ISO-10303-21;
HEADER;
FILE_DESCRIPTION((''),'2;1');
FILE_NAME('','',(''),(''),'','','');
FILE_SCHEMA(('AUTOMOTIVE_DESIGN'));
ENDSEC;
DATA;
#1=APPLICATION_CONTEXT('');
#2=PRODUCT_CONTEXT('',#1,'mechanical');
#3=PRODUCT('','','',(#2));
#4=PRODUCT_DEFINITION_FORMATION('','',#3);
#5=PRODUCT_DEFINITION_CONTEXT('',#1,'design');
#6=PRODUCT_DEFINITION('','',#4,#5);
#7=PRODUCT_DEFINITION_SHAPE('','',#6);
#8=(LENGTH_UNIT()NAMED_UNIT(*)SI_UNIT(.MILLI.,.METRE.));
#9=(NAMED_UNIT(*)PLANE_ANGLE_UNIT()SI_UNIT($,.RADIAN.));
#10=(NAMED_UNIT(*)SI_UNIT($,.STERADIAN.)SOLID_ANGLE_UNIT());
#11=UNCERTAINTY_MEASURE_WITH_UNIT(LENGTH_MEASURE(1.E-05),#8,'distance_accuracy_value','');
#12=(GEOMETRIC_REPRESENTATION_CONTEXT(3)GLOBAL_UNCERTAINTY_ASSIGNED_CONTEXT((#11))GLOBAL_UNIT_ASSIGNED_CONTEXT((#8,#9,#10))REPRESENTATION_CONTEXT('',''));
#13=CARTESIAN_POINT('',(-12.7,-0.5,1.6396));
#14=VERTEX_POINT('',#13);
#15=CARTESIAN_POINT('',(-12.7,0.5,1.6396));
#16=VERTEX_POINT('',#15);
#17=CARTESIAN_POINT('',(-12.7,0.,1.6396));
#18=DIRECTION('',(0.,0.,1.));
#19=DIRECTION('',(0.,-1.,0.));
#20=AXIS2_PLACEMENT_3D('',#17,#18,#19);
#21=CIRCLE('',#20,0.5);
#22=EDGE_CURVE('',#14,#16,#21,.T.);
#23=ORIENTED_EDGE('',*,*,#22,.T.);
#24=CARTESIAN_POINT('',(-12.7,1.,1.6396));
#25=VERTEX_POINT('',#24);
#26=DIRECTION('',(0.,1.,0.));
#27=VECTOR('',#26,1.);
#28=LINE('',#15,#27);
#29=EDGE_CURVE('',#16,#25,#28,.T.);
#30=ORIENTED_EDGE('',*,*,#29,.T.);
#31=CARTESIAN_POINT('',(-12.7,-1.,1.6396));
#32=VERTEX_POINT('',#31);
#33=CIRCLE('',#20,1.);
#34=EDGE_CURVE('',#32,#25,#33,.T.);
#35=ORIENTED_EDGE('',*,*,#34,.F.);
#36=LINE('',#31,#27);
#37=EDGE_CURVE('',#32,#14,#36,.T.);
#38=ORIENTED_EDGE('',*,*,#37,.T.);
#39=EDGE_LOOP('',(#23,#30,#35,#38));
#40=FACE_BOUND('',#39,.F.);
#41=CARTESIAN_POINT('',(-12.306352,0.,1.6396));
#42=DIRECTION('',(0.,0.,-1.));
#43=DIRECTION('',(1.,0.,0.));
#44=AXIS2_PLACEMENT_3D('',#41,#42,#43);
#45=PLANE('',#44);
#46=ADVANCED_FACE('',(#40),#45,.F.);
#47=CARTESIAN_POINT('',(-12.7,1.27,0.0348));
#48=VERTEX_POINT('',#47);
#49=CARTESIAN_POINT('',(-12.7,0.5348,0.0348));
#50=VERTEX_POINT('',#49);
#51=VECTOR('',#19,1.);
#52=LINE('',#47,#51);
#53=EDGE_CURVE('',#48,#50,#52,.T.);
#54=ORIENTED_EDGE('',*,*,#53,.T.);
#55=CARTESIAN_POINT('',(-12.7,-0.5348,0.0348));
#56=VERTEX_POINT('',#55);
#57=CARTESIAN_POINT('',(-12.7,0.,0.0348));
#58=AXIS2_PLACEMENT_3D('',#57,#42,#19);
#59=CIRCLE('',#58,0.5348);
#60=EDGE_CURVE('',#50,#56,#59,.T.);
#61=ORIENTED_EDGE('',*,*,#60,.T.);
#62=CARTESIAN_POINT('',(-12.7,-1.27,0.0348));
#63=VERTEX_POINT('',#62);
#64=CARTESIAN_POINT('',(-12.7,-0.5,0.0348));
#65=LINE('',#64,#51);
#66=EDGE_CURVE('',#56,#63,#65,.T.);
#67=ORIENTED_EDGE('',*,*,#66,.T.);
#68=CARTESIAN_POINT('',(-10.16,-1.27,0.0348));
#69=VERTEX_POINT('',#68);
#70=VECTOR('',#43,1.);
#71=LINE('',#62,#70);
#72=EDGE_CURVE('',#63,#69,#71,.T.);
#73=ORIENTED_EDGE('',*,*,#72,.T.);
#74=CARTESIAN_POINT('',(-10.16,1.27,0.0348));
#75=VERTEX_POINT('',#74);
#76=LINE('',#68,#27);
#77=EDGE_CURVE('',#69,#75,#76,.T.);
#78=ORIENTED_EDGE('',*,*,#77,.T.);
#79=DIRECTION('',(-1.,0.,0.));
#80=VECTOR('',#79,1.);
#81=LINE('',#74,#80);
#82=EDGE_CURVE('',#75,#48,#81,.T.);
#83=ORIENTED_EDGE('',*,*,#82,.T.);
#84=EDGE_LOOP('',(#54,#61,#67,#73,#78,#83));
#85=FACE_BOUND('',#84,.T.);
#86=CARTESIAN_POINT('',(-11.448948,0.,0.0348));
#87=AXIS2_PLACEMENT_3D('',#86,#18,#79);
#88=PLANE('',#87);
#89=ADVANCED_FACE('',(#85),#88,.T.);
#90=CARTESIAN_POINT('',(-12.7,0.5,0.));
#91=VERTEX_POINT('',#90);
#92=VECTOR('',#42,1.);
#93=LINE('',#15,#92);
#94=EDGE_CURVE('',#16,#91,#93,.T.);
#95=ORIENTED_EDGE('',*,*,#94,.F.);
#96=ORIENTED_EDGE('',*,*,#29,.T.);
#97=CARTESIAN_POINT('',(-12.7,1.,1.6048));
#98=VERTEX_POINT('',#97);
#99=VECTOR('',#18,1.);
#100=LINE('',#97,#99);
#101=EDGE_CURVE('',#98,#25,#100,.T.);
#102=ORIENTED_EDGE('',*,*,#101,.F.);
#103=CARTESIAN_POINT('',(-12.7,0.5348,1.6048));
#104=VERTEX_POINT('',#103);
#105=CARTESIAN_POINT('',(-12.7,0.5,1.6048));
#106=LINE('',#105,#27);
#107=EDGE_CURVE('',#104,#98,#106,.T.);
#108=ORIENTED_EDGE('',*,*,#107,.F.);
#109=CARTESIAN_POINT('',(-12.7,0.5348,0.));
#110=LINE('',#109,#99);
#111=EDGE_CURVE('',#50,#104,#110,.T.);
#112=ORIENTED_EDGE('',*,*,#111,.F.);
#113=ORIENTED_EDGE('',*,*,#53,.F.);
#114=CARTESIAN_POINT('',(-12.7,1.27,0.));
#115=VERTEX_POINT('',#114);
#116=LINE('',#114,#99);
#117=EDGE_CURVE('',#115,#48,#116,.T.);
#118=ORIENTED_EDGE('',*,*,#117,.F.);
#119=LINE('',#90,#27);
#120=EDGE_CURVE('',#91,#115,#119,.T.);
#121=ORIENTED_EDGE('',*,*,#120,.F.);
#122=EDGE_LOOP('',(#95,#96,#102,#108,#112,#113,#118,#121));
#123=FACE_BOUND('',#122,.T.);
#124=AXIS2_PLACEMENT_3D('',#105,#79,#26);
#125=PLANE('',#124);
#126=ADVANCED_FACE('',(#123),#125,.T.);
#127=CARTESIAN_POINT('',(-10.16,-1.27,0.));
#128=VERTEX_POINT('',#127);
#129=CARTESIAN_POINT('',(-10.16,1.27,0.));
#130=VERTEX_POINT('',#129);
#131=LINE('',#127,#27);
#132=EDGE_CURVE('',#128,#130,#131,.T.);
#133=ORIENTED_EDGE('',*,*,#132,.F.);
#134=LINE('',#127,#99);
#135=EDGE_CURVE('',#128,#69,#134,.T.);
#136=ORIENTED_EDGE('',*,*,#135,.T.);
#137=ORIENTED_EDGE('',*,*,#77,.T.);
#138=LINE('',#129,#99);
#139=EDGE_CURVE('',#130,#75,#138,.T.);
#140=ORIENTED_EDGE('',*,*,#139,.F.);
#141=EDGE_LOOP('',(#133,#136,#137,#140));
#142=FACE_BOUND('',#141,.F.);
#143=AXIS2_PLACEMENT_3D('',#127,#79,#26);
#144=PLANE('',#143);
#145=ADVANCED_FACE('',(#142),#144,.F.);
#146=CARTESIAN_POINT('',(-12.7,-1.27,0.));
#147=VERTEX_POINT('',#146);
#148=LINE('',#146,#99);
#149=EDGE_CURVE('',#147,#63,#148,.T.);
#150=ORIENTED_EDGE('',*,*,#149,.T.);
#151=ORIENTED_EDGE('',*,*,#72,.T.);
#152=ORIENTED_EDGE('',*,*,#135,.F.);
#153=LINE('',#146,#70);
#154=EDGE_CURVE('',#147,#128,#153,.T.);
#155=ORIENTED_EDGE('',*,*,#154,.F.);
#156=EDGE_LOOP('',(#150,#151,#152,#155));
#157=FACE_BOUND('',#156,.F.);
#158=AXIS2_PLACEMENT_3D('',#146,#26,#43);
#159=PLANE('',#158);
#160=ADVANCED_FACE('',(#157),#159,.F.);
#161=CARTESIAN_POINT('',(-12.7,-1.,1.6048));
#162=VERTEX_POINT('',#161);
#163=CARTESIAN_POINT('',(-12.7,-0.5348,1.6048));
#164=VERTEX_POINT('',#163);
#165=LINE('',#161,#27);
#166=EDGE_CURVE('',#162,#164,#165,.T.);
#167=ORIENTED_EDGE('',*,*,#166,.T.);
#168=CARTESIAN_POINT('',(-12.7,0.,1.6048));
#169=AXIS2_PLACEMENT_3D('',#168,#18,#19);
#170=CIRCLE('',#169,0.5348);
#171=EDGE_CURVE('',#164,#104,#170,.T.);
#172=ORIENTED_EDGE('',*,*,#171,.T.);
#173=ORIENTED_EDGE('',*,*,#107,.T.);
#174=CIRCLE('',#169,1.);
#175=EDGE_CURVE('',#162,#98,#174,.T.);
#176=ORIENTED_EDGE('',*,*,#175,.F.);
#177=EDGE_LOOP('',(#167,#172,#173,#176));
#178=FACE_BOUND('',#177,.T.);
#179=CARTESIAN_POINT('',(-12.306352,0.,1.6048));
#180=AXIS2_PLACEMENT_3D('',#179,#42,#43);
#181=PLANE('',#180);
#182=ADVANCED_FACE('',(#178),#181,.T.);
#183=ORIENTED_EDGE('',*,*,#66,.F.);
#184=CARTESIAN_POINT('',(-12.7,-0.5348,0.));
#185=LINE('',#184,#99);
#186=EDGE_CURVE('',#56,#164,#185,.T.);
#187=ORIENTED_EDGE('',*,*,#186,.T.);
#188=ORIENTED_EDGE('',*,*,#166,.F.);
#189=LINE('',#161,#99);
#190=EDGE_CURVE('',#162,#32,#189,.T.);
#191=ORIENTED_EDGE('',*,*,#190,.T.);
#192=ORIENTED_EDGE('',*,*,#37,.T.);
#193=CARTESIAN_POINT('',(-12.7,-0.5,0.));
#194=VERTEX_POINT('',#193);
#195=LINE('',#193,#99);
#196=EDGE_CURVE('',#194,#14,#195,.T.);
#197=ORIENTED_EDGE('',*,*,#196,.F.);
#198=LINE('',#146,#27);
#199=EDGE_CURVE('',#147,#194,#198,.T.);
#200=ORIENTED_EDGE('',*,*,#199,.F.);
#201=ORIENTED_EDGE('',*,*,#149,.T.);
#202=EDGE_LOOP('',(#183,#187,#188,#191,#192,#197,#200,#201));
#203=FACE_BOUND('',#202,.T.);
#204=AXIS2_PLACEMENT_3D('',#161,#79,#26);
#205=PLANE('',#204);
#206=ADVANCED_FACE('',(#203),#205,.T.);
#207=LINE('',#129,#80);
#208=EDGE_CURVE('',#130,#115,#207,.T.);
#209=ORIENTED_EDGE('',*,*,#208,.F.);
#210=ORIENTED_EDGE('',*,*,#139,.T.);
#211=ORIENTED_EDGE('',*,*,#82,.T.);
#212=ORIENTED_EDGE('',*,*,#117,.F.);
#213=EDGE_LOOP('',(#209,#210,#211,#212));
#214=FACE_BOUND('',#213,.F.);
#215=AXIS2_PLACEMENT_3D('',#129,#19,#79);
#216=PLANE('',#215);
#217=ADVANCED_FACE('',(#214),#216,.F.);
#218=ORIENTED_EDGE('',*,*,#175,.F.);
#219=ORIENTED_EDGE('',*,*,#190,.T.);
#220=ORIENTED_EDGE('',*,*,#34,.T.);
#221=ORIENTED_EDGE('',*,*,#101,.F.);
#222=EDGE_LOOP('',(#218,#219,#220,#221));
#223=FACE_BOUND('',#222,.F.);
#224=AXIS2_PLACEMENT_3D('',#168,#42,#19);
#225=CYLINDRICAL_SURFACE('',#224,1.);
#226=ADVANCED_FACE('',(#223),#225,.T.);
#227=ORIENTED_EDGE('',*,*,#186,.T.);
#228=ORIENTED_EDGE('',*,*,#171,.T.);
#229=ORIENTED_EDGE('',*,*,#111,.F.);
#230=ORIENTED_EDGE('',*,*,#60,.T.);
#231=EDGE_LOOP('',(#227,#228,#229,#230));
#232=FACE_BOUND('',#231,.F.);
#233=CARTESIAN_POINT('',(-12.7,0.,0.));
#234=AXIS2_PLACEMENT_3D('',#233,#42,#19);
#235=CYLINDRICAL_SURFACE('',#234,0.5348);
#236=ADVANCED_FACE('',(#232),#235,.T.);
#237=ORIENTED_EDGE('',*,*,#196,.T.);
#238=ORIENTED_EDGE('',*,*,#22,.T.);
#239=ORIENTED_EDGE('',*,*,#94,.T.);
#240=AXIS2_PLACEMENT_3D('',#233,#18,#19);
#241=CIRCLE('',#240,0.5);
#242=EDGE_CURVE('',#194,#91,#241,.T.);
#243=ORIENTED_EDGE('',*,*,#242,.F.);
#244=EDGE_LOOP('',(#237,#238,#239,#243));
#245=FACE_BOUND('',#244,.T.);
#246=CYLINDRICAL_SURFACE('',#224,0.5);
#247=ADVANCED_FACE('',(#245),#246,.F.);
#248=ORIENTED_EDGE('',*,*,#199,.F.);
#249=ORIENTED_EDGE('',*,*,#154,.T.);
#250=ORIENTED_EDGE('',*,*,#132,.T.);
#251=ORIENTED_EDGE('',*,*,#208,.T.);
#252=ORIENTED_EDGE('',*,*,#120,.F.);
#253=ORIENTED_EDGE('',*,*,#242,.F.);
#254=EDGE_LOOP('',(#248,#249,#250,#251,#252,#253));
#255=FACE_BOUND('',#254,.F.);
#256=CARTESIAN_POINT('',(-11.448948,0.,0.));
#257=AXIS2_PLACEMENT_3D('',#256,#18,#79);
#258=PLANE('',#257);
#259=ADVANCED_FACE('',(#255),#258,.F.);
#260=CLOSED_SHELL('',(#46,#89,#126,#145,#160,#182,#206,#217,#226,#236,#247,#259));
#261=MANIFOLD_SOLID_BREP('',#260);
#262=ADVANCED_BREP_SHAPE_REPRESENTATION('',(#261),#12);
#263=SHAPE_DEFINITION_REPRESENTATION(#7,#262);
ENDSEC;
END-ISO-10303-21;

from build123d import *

# Parameters (mm, degrees)
PAD002_DEPTH            = 0.0348
PAD003_DEPTH            = 1.6048
PAD004_DEPTH            = 0.0348
BODY003_PLACEMENT_ANGLE = 180


with BuildPart() as part:
    # Sketch004 → Pad002 (new body)
    with BuildSketch(Plane.XY):
        with BuildLine():
            Line((-2.54, 1.27), (-2.54, -1.27))
            Line((-2.54, -1.27), (0, -1.27))
            Line((0, -1.27), (0, -0.5))
            ThreePointArc((0, 0.5), (-0.5, 0), (0, -0.5))
            Line((0, 0.5), (0, 1.27))
            Line((0, 1.27), (-2.54, 1.27))
        make_face()
    extrude(amount=PAD002_DEPTH)

    # Sketch005 → Pad003 (join)
    with BuildSketch(Plane.XY):
        with BuildLine():
            ThreePointArc((0, 0.5348), (-0.5348, 0), (0, -0.5348))
            Line((0, -0.5), (0, -0.5348))
            ThreePointArc((0, 0.5), (-0.5, 0), (0, -0.5))
            Line((0, 0.5348), (0, 0.5))
        make_face()
    extrude(amount=PAD003_DEPTH)

    # Sketch006 → Pad004 (join)
    with BuildSketch(Plane.XY.offset(1.6048)):
        with BuildLine():
            ThreePointArc((0, 0.5), (-0.5, 0), (0, -0.5))
            Line((0, -0.5), (0, -1))
            ThreePointArc((0, 1), (-1, 0), (0, -1))
            Line((0, 1), (0, 0.5))
        make_face()
    extrude(amount=PAD004_DEPTH)


with BuildPart() as part_1:
    # Body003 placement: moved
    add(part.part.moved(Location((-12.7, 0, 0))).rotate(Axis((-12.7, 0, 0), (0, 0, 1)), BODY003_PLACEMENT_ANGLE))


solid = part_1.part
